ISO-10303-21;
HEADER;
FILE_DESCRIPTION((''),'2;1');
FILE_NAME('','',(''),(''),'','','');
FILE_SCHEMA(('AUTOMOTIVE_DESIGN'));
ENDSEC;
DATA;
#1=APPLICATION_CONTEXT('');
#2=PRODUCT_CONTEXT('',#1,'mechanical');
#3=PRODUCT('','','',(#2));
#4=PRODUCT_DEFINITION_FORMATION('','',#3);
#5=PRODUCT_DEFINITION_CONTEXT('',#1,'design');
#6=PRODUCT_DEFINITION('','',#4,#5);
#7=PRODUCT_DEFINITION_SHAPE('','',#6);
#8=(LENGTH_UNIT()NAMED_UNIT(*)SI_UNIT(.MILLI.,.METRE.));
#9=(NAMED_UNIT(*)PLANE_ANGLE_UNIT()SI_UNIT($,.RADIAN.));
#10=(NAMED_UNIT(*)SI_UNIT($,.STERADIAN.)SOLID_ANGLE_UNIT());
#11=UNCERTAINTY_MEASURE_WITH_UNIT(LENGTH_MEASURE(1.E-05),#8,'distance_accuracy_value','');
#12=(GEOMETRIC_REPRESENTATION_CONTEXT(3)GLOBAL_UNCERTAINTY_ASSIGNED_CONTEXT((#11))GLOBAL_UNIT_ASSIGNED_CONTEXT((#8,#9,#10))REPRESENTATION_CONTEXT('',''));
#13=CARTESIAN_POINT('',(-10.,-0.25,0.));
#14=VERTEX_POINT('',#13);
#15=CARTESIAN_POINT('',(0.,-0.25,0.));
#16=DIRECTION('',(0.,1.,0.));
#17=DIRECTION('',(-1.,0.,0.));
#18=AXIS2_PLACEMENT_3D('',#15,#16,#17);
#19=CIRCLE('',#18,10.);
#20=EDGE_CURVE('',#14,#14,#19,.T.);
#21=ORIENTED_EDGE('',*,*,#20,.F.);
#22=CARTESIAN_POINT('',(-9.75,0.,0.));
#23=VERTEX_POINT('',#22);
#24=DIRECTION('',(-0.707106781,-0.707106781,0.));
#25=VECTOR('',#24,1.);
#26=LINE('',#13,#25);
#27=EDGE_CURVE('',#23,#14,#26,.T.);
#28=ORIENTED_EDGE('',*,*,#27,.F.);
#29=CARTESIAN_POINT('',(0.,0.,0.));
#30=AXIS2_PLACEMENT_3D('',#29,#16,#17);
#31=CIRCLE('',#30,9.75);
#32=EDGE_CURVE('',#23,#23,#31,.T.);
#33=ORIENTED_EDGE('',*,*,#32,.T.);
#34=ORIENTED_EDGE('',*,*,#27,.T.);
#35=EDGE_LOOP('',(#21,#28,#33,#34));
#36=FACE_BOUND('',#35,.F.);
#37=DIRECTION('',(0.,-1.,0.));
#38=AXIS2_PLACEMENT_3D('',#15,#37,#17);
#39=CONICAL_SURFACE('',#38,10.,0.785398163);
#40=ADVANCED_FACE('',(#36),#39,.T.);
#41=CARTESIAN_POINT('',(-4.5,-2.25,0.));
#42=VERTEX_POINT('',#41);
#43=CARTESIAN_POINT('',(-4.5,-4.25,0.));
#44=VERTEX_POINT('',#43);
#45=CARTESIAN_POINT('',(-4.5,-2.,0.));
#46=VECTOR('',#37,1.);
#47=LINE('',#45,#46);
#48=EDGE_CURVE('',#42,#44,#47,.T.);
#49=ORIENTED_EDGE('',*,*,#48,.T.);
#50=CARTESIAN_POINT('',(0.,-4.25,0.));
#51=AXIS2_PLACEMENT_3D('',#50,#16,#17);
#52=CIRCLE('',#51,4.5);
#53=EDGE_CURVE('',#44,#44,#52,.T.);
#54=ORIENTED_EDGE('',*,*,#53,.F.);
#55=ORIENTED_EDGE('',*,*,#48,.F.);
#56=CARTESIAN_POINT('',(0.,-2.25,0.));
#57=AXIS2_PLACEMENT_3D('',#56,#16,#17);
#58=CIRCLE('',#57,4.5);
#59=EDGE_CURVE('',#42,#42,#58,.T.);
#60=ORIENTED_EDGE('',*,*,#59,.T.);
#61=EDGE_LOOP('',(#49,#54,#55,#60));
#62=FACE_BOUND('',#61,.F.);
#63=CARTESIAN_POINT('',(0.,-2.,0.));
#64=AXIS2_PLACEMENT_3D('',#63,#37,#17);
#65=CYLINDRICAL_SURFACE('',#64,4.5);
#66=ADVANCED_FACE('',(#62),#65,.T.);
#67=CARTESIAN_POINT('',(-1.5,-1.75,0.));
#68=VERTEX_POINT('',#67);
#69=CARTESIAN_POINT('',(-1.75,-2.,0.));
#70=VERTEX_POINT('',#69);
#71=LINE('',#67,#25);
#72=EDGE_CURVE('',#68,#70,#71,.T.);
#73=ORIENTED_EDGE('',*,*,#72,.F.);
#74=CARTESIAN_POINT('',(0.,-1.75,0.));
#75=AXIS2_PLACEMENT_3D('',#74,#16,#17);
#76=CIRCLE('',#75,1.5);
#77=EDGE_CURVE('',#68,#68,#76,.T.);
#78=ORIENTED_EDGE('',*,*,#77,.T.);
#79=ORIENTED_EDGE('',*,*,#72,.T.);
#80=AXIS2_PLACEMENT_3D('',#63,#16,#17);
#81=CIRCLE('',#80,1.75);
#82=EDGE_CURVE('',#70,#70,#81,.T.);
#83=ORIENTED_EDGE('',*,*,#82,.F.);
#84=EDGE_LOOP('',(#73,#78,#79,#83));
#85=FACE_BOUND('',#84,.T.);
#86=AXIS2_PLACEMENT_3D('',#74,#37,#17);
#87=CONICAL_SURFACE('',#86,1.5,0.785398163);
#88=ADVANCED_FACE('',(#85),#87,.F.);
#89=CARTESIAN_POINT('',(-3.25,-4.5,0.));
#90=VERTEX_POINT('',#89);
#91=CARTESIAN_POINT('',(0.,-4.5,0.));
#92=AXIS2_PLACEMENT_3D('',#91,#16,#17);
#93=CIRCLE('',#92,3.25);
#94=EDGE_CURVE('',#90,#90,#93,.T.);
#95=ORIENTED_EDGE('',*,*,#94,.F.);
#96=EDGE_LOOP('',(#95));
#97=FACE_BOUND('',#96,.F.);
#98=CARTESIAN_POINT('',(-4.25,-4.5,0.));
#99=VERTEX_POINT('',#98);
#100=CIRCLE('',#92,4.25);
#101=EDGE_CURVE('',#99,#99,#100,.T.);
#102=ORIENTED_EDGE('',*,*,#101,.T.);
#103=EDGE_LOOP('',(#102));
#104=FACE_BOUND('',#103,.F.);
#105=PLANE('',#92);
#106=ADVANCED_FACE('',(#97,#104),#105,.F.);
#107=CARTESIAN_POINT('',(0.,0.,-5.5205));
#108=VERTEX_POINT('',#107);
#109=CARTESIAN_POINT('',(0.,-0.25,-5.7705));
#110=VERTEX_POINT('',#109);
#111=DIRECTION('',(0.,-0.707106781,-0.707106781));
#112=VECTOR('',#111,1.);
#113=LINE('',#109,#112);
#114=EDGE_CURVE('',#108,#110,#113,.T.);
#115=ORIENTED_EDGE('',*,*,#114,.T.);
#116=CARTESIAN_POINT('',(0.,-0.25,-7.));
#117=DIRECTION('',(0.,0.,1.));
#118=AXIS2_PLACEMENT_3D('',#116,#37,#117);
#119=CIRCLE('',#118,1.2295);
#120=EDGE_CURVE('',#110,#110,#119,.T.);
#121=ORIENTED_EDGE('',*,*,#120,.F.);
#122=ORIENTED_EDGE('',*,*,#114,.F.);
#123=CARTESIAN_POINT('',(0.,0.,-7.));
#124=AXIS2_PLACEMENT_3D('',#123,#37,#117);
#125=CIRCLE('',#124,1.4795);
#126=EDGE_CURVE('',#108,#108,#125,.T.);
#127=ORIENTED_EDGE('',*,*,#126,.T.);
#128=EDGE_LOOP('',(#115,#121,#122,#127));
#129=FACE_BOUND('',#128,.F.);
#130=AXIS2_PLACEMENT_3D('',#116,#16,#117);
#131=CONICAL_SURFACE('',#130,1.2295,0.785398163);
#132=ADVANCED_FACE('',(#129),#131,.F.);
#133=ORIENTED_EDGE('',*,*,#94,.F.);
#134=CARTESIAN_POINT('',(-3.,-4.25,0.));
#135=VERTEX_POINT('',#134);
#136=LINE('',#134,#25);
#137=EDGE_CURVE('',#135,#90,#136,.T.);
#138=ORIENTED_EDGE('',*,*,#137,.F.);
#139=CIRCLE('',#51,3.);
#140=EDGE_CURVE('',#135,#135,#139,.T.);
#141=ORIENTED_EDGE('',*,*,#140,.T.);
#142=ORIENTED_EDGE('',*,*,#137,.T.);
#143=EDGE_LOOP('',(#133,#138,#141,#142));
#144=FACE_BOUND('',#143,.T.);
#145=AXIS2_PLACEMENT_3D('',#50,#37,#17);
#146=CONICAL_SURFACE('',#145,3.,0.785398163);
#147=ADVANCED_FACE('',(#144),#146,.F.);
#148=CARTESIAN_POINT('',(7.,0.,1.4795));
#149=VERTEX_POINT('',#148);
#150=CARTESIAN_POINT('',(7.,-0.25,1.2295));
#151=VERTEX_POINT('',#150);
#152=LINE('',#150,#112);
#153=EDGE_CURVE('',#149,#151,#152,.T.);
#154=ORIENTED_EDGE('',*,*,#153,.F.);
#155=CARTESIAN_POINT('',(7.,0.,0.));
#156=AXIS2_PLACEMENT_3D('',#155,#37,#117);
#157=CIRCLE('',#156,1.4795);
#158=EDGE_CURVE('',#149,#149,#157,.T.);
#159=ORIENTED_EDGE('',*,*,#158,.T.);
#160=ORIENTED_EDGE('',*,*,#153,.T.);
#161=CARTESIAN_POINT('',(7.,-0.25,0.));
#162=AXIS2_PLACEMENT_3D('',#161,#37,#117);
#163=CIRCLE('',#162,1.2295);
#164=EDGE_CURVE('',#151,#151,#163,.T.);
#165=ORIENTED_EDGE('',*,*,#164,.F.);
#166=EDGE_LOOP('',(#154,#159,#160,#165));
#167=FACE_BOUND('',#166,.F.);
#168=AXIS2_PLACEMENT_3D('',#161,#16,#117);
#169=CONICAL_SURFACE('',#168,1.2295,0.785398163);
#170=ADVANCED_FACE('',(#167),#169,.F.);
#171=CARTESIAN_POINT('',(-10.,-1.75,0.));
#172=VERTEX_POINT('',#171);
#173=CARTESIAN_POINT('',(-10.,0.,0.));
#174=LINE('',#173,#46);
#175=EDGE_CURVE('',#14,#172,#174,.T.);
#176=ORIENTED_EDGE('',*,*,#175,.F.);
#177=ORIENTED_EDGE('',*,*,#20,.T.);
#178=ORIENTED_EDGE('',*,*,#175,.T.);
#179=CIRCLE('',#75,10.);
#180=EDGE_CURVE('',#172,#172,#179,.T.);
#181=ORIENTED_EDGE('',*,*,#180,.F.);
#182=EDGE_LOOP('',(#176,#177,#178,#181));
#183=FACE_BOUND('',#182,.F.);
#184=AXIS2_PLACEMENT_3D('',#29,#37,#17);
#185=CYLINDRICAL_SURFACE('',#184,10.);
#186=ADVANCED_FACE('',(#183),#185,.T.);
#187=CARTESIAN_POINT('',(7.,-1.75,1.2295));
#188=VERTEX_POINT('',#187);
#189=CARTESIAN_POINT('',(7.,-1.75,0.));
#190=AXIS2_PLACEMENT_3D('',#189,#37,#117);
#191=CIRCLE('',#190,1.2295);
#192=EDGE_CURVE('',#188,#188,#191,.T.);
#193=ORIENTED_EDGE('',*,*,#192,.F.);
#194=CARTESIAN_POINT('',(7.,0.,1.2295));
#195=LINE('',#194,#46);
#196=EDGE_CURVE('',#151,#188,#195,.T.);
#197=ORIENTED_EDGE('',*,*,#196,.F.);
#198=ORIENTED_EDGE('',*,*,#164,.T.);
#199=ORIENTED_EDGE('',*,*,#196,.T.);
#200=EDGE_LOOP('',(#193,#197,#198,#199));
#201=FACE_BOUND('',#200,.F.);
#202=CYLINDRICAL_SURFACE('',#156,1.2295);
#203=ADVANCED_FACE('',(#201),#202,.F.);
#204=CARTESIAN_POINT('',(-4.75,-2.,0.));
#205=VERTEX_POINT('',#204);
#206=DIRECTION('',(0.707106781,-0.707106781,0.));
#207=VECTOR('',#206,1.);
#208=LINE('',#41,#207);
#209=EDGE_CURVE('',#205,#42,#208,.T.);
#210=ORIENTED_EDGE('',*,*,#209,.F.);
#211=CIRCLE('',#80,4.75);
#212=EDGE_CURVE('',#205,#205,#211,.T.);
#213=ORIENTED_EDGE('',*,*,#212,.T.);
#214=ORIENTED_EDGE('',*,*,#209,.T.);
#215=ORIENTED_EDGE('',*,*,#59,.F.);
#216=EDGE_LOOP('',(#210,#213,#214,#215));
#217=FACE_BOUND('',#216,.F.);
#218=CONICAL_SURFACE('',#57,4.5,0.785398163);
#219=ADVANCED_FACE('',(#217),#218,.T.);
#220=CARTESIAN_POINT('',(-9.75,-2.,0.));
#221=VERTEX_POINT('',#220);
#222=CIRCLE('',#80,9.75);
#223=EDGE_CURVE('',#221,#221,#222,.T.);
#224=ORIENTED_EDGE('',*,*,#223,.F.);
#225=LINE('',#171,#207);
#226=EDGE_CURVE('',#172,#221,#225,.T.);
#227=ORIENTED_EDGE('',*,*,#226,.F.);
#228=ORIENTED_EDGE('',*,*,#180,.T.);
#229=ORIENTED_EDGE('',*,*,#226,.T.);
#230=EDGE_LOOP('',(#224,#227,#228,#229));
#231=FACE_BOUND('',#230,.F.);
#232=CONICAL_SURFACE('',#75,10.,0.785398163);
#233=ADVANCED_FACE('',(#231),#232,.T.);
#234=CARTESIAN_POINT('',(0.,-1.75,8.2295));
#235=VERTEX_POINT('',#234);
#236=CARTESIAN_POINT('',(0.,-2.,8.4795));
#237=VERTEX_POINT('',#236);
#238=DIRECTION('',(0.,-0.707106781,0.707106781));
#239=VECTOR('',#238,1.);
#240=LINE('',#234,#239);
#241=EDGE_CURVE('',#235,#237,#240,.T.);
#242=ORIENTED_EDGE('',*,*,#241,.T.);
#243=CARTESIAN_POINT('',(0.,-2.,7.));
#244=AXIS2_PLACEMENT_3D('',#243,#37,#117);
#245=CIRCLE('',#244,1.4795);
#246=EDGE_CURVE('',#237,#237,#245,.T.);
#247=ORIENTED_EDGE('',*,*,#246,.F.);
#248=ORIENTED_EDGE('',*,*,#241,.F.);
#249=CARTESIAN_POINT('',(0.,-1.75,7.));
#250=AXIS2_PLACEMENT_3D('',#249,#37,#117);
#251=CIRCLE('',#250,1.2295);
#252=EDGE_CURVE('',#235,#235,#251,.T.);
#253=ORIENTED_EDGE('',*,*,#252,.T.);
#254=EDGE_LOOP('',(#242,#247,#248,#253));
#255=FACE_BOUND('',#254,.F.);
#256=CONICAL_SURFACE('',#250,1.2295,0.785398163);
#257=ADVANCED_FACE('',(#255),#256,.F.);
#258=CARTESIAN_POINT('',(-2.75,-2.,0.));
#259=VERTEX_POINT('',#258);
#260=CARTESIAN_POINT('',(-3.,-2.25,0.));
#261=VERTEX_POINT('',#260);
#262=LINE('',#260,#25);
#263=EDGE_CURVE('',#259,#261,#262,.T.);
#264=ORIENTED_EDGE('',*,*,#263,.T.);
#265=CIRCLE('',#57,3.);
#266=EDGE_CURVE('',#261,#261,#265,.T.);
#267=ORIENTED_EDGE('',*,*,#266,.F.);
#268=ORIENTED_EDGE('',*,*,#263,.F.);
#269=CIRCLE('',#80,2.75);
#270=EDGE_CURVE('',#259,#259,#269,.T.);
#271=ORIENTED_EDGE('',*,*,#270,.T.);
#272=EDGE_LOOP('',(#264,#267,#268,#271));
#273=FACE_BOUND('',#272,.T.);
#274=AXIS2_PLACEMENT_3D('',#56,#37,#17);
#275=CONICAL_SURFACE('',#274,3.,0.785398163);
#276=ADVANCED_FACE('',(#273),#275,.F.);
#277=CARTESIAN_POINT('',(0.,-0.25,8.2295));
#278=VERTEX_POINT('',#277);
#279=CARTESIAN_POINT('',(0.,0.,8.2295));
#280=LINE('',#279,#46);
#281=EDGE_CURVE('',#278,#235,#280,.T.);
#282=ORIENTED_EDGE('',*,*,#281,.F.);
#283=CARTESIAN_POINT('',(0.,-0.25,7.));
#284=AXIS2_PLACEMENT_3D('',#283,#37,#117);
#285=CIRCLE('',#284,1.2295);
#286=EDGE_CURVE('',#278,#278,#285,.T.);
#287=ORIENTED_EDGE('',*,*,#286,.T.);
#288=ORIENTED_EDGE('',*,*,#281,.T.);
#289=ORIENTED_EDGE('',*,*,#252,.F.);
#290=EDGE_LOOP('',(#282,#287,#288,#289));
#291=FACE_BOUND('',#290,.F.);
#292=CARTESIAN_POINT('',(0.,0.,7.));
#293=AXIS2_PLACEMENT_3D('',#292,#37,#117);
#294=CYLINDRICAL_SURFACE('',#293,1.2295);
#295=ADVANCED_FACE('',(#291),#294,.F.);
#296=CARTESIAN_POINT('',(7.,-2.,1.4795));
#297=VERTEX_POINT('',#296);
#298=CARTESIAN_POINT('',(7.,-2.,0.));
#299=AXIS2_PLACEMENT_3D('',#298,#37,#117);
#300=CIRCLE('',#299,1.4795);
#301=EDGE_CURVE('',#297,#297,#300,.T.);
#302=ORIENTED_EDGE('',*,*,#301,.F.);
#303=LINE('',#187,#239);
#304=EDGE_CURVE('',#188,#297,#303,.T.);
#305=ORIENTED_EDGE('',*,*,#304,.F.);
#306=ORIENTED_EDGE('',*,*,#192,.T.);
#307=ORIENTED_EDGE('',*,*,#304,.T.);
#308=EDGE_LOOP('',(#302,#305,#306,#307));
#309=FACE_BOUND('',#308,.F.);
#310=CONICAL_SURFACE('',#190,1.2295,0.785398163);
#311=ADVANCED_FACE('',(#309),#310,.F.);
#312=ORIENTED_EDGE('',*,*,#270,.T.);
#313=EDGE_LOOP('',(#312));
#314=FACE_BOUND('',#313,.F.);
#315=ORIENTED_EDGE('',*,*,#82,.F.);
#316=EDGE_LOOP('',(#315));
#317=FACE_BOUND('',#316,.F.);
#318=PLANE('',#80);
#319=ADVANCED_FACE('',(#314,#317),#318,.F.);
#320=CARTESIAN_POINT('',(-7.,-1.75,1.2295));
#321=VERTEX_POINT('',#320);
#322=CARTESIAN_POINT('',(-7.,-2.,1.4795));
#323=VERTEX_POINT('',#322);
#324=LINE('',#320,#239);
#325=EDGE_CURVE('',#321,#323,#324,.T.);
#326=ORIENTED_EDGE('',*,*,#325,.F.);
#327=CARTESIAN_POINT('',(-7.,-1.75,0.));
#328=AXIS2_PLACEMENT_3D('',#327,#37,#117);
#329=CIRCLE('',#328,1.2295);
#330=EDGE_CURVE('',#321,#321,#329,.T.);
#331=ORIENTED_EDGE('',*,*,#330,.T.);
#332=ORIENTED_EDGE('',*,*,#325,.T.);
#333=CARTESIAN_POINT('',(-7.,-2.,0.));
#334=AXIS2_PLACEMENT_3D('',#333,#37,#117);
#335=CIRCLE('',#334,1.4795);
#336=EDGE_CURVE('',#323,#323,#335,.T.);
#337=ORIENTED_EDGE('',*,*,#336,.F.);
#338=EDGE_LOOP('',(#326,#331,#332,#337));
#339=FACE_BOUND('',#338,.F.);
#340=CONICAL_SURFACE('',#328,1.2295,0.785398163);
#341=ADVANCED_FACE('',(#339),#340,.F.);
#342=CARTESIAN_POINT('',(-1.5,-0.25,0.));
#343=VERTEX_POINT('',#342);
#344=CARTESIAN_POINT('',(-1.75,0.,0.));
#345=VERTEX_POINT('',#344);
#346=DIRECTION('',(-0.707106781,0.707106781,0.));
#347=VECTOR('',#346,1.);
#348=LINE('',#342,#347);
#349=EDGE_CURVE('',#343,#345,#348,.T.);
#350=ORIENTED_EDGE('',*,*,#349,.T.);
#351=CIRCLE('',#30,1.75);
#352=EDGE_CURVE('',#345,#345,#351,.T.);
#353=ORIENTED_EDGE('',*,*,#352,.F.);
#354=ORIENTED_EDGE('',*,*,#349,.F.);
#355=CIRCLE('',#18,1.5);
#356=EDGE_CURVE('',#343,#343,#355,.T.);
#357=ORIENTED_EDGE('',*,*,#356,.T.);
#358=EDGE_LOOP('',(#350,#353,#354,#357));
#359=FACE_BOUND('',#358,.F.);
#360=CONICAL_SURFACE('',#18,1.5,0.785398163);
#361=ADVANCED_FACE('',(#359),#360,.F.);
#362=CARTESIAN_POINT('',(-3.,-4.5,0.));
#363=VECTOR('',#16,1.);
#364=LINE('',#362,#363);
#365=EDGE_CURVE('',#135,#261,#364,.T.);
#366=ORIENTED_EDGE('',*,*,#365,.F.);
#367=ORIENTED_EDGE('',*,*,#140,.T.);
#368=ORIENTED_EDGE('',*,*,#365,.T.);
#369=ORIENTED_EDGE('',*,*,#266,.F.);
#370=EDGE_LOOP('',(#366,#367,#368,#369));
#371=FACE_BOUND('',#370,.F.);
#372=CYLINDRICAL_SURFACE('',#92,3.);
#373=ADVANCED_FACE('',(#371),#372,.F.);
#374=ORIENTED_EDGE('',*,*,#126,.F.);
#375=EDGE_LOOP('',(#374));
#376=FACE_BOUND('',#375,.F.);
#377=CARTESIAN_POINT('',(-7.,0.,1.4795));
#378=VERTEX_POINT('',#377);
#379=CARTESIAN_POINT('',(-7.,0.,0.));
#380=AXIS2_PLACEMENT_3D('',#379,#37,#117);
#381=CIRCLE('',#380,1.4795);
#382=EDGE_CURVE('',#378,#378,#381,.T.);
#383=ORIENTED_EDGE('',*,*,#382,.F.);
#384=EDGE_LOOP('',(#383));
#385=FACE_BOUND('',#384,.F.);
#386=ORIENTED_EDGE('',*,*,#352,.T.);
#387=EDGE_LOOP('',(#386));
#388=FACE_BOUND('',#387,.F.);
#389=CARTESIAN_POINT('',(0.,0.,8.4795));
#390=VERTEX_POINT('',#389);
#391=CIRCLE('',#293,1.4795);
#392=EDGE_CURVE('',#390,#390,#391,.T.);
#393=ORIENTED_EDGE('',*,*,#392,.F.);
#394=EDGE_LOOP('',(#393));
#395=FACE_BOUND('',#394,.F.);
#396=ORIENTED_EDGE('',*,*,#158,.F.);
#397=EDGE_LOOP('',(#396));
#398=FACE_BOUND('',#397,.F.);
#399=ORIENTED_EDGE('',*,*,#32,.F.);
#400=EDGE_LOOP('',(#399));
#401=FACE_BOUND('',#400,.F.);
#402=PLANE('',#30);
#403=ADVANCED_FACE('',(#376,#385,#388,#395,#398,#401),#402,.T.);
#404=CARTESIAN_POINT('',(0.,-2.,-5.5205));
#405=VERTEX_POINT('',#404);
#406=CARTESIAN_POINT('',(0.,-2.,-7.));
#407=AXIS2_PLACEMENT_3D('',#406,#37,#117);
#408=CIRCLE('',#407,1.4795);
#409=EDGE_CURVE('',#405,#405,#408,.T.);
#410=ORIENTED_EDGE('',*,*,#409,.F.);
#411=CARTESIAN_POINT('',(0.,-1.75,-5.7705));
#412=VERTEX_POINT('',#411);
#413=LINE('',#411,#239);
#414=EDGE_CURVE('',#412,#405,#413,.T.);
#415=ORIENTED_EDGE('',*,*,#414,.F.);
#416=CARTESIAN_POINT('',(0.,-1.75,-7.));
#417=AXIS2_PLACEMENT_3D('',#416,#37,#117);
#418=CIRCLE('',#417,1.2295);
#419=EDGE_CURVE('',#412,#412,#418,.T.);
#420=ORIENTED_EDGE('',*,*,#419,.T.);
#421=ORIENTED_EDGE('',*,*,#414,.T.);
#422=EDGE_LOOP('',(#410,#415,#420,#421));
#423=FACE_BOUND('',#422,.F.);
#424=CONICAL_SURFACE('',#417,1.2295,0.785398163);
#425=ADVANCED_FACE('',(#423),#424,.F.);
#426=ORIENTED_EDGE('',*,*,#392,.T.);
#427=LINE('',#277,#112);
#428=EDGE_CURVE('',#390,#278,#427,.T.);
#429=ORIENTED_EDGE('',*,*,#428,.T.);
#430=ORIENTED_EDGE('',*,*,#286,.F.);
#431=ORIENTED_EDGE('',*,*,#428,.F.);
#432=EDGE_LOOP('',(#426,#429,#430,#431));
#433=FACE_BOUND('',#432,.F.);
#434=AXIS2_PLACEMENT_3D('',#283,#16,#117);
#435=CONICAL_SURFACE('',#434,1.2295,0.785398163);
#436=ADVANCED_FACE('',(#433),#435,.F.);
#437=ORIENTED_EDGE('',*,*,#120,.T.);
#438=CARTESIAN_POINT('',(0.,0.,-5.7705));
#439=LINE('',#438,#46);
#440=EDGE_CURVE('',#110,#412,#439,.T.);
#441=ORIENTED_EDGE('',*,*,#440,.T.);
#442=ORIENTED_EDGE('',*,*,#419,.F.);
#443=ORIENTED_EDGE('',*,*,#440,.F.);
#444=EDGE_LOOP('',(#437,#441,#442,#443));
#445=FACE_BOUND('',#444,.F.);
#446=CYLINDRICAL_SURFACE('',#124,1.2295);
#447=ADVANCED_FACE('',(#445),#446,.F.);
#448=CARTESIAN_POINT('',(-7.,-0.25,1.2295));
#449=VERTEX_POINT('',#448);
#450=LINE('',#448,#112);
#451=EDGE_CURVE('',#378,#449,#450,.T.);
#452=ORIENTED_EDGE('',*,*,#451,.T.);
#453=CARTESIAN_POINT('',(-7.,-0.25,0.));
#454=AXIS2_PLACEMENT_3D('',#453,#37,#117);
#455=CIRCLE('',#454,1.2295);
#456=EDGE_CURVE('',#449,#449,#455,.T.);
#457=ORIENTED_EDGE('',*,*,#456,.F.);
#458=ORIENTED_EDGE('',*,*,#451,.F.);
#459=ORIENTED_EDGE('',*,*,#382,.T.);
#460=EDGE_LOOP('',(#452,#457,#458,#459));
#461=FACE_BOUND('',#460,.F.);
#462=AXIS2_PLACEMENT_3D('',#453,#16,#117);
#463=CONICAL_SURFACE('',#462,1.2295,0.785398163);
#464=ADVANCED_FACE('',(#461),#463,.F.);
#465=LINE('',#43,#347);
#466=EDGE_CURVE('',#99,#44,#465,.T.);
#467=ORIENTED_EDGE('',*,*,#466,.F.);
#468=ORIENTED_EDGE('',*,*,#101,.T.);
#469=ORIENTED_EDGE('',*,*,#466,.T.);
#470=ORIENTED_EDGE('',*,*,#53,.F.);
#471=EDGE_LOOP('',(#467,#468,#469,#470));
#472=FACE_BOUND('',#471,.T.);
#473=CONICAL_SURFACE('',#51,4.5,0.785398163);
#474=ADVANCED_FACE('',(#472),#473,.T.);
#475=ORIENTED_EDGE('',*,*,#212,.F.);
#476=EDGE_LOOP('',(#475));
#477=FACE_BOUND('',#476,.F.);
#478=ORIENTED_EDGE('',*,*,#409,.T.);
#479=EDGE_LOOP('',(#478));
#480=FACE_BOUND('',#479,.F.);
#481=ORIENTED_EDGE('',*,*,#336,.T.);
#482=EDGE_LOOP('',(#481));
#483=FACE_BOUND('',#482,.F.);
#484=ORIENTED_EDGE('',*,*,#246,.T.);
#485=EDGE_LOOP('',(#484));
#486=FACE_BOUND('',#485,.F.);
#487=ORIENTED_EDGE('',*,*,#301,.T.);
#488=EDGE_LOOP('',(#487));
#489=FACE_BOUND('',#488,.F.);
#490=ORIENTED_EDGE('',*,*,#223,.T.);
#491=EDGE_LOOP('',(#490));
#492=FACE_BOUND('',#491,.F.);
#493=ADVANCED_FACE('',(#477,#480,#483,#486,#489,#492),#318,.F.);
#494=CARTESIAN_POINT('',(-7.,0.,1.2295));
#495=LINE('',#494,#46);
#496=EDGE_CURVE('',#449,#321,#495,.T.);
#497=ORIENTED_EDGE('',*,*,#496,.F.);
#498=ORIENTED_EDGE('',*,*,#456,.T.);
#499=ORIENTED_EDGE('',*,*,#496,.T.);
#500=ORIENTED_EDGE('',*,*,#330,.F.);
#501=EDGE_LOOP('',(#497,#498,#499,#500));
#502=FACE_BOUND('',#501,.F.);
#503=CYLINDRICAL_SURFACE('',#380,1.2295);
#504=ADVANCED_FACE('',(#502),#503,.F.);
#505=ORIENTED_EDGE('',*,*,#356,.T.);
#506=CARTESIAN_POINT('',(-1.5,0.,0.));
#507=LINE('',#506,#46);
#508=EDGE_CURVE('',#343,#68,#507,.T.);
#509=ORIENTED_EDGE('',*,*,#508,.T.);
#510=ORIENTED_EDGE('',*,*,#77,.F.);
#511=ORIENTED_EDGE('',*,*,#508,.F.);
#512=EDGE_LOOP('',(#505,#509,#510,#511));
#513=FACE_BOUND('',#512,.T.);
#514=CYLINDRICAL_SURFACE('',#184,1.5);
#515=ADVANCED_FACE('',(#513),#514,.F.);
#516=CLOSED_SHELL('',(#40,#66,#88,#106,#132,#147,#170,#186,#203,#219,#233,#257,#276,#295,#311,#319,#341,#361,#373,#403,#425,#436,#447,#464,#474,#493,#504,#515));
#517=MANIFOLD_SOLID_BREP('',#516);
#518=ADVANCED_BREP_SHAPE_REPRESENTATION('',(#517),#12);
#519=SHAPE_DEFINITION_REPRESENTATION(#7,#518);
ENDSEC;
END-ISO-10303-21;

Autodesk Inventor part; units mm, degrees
ref_plane "YZ Plane" through (0, 0, 0) normal (1, 0, 0) x (0, 1, 0)
ref_plane "XZ Plane" through (0, 0, 0) normal (0, 1, 0) x (-1, 0, 0)
ref_plane "XY Plane" through (0, 0, 0) normal (0, 0, 1) x (1, 0, 0)
sketch "Sketch1" plane through (0, 0, 0) normal (0, 0, 1) x (1, 0, 0)
  line L0 (-12, 0) -> (2, 0) construction
  line L1 (0, -5.4) -> (0, 0.9) construction
  line L2 (-1.5, 0) -> (-10, 0)
  line L3 (-10, 0) -> (-10, -2)
  line L4 (-10, -2) -> (-4.5, -2)
  line L5 (-4.5, -2) -> (-4.5, -4.5)
  line L6 (-4.5, -4.5) -> (-3, -4.5)
  line L7 (-3, -4.5) -> (-3, -2)
  line L8 (-3, -2) -> (-1.5, -2)
  line L9 (-1.5, 0) -> (-1.5, -2)
  point P0 (0, 0)
  dimension "d0" = 1.5
  dimension "d1" = 3
  dimension "d2" = 4.5
  dimension "d3" = 10
  dimension "d4" = 2
  dimension "d5" = 4.5
revolve "Revolution1" add sketch "Sketch1" angle 360 about axis through (0, -10, 0) along (0, 1, 0)
sketch "Sketch2" plane through (0, 0, 0) normal (0, 1, 0) x (1, 0, 0)
  line L0 (-14, 0) -> (14, 0) construction
  line L1 (0, 14) -> (0, -14) construction
  point P0 (0, 0)
  point P1 (0, 7)
  point P2 (0, -7)
  point P3 (-7, 0)
  point P4 (7, 0)
  dimension "d7" = 14
  dimension "d8" = 14
hole "Hole1" at (0, 0, -7) at (0, 0, 7) at (-7, 0, 0) at (7, 0, 0) direction (0, -1, 0) diameter 2.459 depth 8.8 thread size "M3x0.5" class "6H" standard "ISO Metric profile"
chamfer "Chamfer1" distance 0.25 angle 45 16 edges at (10, 0, 0) (10, -2, 0) (0, 0, -8.2295) (7, 0, -1.2295) (-7, 0, -1.2295) (0, 0, 5.7705) (4.5, -2, 0) (4.5, -4.5, 0) (3, -4.5, 0) (3, -2, 0) (1.5, -2, 0) (1.5, 0, 0) (0, -2, -8.2295) (7, -2, -1.2295) (-7, -2, -1.2295) (0, -2, 5.7705)
properties part number "motortarcsa"
